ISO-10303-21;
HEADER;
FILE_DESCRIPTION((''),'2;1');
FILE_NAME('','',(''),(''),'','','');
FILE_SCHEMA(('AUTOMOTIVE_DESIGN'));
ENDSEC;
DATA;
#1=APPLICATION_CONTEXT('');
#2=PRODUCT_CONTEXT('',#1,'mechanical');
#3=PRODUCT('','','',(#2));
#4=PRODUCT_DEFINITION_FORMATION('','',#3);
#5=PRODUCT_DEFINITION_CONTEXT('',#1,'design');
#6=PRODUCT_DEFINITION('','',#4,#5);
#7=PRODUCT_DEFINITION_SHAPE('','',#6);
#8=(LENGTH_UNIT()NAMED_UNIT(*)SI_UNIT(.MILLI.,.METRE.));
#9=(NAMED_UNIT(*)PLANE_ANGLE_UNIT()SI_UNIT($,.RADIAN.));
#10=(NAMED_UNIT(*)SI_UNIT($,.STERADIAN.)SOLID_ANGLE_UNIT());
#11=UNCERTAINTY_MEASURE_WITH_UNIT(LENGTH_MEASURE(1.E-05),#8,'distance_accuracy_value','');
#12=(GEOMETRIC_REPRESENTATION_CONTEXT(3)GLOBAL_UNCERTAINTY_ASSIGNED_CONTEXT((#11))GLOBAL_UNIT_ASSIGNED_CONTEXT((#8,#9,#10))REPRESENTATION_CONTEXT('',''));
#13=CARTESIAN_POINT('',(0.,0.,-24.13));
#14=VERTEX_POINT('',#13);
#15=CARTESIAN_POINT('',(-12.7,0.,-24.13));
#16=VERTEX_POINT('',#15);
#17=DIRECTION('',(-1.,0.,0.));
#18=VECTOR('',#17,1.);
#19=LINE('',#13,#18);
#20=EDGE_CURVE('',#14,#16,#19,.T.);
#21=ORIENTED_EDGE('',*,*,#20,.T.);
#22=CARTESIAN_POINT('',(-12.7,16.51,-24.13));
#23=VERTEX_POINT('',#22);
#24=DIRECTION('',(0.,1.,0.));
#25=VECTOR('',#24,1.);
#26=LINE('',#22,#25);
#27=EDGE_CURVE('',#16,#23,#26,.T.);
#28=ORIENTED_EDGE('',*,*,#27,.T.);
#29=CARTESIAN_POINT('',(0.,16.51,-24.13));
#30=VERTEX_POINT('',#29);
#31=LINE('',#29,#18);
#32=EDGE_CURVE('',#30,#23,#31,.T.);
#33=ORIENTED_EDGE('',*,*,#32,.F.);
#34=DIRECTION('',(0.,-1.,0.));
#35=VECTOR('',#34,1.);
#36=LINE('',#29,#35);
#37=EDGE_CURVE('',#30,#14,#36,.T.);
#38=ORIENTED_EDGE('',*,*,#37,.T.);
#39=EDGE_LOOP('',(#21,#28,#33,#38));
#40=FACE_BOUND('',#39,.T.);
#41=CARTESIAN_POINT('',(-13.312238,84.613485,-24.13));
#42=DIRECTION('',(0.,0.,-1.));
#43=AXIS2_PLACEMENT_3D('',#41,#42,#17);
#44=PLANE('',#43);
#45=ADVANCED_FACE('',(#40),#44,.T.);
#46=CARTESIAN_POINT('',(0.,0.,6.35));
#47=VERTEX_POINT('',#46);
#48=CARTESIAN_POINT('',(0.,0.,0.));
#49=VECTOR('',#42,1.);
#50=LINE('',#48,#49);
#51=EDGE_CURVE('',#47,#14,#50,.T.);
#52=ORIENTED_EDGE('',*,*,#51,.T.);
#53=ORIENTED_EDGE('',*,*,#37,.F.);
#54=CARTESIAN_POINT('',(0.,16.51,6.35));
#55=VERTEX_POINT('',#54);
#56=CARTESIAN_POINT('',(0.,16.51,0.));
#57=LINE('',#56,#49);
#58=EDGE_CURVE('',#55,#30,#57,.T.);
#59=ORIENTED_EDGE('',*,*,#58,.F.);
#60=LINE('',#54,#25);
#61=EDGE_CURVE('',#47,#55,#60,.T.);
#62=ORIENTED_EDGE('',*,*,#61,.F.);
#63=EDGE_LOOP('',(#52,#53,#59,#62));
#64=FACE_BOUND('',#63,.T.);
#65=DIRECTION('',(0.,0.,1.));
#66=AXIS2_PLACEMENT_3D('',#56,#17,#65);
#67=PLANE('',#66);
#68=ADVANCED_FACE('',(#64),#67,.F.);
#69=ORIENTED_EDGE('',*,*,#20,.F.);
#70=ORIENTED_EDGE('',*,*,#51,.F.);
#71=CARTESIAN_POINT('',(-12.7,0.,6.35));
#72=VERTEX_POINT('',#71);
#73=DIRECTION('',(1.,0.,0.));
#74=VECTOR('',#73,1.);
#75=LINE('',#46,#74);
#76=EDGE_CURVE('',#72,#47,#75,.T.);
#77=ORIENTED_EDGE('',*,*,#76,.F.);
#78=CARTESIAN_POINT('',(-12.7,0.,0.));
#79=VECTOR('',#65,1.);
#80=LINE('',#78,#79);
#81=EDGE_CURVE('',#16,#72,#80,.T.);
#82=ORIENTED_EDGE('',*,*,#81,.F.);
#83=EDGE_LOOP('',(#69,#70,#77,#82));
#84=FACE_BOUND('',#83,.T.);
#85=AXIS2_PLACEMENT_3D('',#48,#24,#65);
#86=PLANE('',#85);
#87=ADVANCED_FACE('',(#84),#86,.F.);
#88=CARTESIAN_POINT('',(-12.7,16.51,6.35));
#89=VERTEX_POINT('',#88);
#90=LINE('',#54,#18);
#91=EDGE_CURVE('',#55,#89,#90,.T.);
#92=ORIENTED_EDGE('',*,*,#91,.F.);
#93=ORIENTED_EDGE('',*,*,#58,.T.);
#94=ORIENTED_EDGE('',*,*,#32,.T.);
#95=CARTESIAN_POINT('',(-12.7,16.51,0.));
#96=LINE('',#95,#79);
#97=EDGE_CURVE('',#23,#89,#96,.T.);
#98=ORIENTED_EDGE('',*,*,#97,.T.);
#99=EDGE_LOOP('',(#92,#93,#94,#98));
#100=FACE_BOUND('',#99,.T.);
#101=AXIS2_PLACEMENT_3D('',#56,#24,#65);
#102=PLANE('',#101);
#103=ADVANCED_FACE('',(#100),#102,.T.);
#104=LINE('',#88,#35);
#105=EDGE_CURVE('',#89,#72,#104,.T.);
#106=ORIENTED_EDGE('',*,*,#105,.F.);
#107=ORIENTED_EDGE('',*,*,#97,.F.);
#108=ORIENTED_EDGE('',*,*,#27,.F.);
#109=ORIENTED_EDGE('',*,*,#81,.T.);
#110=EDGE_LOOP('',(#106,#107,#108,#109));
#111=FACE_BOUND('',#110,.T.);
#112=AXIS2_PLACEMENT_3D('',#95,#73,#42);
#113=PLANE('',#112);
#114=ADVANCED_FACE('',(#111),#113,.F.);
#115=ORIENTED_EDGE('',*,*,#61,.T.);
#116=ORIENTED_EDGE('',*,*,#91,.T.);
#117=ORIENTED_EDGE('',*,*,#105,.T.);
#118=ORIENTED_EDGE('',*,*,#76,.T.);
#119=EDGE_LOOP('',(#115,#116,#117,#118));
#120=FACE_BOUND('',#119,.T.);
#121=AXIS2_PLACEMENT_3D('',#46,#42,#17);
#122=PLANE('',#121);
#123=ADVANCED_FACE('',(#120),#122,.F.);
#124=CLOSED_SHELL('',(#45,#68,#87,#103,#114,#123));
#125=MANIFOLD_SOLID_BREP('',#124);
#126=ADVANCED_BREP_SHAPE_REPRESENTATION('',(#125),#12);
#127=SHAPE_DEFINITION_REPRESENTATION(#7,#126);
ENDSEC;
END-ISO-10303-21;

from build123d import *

# Parameters (mm, degrees)
SKETCH1_W               = 12.7
SKETCH1_H               = 25.4
BOSS_EXTRUDE1_DEPTH     = 16.51
SKETCH2_W               = 12.7
SKETCH2_H               = 16.51
BOSS_EXTRUDE2_DEPTH     = 6.35
CUT_EXTRUDE2_DEPTH      = 33.848593577
CUT_EXTRUDE2_DEPTH_BACK = 33.848593577


with BuildPart() as part:
    # Sketch1 → Boss-Extrude1 (new body)
    with BuildSketch(Plane(origin=(0, 0, 0), x_dir=(1, 0, 0), z_dir=(0, 1, 0))):
        with Locations((-6.35, 12.7)):
            Rectangle(SKETCH1_W, SKETCH1_H)
    extrude(amount=BOSS_EXTRUDE1_DEPTH)

    # Sketch2 → Boss-Extrude2 (add)
    with BuildSketch(Plane.XY):
        with Locations((-6.35, 8.255)):
            Rectangle(SKETCH2_W, SKETCH2_H)
    extrude(amount=BOSS_EXTRUDE2_DEPTH)

    # Sketch10 → Cut-Extrude2 (cut, two sides: drawn at the far end of the back side and taken through both)
    with BuildSketch(Plane(origin=(0, 16.51, 0), x_dir=(1, 0, 0), z_dir=(0, 1, 0)).offset(-CUT_EXTRUDE2_DEPTH_BACK)):
        Polygon((-89.832793046, 24.13), (-13.312237672, 24.13), (0.540702774, 24.13), (77.061258148, 24.13), (77.061258148, 177.171110749), (-89.832793046, 177.171110749), align=None)
    extrude(amount=CUT_EXTRUDE2_DEPTH + CUT_EXTRUDE2_DEPTH_BACK, mode=Mode.SUBTRACT)


solid = part.part
